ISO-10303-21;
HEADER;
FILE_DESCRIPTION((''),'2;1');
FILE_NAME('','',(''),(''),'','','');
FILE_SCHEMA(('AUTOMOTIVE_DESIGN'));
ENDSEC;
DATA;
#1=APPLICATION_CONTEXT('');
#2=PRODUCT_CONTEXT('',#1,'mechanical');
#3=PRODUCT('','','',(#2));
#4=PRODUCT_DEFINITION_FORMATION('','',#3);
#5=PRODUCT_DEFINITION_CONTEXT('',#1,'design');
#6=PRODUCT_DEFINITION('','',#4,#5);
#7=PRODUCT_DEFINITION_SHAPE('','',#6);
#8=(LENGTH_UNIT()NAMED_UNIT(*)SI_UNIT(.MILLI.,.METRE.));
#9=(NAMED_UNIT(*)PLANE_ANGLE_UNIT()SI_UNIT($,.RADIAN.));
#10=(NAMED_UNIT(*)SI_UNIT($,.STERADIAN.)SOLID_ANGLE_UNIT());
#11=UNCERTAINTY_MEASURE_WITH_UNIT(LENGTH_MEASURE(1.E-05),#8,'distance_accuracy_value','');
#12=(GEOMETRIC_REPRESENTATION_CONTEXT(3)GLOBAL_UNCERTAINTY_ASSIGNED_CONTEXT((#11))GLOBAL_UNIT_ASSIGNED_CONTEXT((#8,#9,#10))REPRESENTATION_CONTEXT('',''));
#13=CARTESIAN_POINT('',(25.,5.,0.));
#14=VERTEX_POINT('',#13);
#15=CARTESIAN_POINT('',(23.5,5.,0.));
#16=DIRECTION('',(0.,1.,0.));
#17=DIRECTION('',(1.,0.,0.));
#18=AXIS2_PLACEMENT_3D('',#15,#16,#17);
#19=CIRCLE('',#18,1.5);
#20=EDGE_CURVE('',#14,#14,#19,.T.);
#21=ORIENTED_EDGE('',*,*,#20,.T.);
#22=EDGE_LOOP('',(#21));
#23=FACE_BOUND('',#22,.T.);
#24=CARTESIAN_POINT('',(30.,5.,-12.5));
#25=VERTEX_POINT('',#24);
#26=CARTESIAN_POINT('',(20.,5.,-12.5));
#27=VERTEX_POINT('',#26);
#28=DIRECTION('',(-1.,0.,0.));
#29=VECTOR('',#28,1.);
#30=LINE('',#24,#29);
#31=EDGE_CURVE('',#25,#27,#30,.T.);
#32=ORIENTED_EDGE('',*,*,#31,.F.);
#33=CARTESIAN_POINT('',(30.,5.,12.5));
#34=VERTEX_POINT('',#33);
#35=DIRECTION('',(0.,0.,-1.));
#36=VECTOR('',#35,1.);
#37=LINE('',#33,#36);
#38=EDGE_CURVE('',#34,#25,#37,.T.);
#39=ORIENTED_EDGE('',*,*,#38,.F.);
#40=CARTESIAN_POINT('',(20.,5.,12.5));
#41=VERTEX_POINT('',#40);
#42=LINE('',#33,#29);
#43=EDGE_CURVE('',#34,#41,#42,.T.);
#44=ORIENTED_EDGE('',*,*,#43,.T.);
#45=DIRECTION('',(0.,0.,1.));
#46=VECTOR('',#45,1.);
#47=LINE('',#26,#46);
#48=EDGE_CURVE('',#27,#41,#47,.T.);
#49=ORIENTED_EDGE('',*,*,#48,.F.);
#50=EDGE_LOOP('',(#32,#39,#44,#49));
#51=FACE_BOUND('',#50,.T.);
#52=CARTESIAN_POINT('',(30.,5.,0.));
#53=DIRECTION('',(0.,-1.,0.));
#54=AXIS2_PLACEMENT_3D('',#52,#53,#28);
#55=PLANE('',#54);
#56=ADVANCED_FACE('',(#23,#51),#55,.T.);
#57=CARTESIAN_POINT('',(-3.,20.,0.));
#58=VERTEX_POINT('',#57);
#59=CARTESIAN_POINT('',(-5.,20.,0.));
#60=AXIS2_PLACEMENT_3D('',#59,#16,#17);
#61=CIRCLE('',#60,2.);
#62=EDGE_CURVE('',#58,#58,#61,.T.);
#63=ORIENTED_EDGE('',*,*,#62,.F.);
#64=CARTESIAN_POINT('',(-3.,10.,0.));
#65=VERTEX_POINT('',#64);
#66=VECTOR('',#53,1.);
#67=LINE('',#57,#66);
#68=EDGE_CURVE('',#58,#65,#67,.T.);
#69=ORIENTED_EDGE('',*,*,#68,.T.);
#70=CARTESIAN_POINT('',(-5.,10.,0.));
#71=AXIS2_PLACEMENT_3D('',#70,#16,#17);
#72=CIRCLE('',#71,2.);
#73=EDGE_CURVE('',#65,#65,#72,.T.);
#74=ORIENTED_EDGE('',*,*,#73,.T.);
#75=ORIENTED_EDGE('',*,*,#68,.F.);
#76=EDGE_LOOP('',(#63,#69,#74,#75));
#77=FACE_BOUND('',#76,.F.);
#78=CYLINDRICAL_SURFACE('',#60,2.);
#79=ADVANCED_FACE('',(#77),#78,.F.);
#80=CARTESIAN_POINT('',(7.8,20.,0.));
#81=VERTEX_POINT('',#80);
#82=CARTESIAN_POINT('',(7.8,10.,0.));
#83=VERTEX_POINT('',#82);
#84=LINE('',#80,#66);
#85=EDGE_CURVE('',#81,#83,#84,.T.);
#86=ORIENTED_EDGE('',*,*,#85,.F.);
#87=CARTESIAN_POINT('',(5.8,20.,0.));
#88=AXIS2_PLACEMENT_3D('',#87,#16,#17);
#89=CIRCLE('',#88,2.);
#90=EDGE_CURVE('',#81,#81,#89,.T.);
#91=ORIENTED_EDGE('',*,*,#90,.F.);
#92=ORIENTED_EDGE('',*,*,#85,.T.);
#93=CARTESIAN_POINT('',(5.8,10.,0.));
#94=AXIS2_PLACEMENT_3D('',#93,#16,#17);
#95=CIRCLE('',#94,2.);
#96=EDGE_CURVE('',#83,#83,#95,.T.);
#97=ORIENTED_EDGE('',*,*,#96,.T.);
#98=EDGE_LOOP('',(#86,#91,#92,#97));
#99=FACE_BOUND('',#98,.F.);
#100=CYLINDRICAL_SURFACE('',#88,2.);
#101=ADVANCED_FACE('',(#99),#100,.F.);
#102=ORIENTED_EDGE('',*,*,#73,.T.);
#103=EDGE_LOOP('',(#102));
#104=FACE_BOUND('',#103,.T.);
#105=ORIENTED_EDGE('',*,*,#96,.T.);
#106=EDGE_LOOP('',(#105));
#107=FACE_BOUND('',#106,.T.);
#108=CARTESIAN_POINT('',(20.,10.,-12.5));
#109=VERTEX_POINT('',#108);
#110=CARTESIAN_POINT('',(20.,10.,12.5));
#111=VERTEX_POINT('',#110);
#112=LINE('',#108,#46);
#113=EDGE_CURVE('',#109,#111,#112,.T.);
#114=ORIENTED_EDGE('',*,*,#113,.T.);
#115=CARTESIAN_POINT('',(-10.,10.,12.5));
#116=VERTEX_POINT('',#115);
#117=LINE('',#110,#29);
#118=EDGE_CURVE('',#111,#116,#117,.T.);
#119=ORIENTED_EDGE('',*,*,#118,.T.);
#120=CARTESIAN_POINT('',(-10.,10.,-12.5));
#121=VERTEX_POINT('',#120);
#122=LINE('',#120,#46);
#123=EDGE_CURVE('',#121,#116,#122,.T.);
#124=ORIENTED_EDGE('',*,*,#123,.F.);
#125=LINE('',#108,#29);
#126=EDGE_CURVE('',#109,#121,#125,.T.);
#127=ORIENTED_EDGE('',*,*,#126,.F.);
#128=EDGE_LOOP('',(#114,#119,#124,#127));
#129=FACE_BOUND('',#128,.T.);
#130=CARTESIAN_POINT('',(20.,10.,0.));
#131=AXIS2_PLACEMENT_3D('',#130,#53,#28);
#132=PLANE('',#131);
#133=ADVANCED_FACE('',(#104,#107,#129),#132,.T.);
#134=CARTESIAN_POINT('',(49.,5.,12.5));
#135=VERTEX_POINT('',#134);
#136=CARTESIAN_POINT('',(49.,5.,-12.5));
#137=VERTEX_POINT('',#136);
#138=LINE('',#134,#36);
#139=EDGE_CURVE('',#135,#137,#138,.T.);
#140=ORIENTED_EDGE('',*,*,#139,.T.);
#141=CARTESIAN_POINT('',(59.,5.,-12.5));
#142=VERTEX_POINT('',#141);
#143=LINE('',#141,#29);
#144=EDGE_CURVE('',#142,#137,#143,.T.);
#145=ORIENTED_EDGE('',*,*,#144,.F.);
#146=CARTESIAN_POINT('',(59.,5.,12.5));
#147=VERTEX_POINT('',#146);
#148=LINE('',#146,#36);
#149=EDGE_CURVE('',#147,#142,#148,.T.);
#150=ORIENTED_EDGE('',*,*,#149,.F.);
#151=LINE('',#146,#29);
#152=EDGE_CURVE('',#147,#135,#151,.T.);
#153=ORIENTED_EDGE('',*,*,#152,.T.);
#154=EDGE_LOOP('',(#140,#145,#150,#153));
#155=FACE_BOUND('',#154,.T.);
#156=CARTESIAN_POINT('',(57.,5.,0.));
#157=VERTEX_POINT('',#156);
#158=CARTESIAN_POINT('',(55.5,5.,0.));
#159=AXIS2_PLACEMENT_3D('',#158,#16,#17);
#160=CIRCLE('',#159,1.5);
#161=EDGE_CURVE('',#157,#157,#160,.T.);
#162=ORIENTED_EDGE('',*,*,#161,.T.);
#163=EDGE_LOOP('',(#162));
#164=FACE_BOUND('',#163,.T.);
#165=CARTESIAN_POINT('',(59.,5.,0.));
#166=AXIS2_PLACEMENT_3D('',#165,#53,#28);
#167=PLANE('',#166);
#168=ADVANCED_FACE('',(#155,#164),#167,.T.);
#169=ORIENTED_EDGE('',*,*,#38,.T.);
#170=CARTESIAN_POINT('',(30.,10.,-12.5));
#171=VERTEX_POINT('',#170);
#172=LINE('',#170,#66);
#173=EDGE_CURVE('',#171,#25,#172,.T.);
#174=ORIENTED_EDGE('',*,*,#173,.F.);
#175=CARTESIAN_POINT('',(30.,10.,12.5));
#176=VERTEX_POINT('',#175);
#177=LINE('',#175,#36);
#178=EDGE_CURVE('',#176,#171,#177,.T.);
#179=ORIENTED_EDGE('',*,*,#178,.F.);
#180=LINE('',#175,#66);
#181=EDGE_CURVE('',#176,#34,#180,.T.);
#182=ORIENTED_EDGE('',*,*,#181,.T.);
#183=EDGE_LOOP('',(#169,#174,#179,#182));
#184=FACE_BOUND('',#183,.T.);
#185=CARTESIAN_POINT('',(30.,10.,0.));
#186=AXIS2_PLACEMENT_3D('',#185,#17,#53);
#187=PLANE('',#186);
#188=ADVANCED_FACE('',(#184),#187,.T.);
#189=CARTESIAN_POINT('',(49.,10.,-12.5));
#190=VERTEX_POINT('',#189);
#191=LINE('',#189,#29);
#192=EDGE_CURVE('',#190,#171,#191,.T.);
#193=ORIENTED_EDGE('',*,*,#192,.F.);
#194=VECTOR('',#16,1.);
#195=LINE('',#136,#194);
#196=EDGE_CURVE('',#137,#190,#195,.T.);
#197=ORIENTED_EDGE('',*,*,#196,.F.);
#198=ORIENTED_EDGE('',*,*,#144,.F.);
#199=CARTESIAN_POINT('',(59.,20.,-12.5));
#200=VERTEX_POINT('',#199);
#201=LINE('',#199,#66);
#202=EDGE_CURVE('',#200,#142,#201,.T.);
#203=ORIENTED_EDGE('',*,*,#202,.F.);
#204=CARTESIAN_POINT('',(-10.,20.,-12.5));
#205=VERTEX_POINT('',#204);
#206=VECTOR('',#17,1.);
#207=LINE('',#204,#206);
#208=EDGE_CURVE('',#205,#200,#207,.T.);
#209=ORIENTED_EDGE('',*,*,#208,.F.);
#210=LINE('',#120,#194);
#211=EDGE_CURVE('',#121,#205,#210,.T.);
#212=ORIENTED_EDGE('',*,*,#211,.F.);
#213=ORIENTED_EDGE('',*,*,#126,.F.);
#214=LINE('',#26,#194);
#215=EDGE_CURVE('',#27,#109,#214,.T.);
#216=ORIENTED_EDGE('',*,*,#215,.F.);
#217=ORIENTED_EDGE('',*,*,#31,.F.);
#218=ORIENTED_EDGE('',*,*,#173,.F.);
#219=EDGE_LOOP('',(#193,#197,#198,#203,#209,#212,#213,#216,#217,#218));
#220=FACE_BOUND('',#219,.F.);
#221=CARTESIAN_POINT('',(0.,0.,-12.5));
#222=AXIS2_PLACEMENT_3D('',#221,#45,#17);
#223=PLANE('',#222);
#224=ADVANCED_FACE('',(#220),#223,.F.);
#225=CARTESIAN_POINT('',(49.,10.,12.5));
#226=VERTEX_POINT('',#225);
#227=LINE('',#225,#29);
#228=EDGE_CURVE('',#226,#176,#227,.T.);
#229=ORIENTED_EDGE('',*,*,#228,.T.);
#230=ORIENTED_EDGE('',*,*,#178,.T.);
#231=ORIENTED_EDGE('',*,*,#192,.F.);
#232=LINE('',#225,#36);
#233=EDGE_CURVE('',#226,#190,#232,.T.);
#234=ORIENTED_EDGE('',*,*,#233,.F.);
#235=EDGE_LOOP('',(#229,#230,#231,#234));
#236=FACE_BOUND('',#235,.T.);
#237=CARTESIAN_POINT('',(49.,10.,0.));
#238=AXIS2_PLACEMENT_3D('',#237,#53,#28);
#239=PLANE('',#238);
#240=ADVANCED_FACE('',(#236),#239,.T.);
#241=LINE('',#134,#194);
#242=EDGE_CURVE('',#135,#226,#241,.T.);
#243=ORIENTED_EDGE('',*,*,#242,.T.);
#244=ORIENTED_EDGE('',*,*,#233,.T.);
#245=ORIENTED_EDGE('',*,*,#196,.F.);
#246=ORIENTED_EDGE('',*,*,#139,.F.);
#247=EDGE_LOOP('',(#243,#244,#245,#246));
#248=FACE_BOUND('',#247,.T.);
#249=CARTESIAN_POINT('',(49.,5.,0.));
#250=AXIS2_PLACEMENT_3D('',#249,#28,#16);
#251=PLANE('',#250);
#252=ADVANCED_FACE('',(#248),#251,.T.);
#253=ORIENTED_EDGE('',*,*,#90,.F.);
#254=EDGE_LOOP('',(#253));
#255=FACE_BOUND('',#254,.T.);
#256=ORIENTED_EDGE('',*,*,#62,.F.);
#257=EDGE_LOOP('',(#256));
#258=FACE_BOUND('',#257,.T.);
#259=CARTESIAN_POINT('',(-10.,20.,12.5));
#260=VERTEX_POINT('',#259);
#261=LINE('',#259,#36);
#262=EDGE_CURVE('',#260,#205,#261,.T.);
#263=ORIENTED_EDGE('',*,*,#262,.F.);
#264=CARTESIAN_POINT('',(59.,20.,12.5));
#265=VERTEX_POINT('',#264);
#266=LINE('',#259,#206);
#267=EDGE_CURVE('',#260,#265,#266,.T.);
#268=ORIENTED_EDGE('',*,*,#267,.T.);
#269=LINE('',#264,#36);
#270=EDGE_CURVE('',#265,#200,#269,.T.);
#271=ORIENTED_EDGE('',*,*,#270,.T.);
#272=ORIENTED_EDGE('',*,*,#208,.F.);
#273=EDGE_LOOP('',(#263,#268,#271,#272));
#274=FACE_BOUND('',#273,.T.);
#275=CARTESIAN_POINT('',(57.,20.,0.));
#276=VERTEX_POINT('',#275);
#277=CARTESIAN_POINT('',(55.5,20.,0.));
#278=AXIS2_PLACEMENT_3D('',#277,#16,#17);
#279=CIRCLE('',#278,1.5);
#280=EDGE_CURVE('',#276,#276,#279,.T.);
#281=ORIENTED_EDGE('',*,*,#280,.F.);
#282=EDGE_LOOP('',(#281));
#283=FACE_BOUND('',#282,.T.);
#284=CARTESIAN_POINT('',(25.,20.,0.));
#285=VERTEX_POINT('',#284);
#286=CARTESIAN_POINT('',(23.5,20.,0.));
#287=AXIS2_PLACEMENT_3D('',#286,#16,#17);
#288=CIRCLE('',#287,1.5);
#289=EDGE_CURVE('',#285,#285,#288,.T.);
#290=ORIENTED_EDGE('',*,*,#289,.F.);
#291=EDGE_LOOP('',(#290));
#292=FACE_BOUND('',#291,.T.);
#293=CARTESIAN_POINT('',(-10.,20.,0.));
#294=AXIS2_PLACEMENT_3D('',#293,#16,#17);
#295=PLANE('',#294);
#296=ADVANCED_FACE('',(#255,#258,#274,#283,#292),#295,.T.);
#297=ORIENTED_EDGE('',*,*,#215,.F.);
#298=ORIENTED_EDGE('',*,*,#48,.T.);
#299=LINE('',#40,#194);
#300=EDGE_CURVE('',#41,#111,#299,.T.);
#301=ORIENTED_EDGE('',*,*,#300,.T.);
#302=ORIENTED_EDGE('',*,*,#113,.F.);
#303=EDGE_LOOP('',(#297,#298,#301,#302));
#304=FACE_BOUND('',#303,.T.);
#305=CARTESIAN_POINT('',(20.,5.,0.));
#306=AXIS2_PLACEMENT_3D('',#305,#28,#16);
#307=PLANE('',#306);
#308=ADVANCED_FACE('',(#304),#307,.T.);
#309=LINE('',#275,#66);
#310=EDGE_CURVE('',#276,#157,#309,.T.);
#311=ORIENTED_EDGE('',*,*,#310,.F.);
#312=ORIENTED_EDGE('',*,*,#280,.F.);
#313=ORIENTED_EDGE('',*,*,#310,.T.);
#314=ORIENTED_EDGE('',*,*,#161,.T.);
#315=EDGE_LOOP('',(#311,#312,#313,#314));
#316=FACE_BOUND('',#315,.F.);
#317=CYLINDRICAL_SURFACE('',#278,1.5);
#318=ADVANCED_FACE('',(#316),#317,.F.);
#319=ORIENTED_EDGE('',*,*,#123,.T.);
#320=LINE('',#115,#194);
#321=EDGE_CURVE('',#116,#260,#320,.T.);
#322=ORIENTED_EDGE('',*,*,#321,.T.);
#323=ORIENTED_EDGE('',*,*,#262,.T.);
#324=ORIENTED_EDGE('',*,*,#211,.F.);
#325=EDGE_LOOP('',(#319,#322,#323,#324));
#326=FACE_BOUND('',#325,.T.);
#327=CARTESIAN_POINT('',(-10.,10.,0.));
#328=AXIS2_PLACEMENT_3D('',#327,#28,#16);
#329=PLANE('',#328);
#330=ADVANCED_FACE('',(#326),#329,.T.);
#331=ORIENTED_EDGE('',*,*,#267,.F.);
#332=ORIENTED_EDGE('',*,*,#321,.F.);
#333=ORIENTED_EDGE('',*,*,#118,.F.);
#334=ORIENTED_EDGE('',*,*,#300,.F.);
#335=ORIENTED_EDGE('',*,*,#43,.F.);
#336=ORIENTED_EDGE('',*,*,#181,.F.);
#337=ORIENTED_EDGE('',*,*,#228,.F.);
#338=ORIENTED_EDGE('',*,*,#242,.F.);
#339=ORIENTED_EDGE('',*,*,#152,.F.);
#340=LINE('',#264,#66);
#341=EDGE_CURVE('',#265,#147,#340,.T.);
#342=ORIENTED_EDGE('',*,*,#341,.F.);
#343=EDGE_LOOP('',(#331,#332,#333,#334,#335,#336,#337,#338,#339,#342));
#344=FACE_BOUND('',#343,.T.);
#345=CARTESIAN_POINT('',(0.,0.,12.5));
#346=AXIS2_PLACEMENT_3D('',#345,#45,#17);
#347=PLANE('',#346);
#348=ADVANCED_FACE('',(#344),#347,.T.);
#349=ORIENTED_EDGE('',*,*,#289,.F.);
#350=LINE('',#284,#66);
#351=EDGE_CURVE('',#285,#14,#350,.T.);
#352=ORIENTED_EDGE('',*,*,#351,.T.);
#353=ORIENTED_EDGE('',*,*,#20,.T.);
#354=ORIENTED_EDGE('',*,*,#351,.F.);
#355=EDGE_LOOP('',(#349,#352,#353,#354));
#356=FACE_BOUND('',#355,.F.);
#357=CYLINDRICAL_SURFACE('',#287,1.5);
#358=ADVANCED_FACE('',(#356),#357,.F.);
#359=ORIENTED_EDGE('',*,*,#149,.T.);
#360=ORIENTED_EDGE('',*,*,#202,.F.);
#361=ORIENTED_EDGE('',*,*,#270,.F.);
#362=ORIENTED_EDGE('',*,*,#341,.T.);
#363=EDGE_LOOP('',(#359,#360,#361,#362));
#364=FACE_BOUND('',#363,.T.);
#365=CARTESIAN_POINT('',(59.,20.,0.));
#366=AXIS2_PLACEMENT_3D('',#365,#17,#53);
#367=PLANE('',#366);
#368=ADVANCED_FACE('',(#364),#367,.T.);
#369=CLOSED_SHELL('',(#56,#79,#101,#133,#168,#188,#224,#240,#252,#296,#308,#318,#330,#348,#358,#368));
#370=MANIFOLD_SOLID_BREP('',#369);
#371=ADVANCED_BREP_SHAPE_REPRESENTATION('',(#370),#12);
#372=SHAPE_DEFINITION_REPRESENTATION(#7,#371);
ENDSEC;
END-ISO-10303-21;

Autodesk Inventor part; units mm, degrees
ref_plane "YZ Plane" through (0, 0, 0) normal (1, 0, 0) x (0, 1, 0)
ref_plane "XZ Plane" through (0, 0, 0) normal (0, 1, 0) x (-1, 0, 0)
ref_plane "XY Plane" through (0, 0, 0) normal (0, 0, 1) x (1, 0, 0)
sketch "Sketch1" plane through (0, 0, 0) normal (0, 0, 1) x (1, 0, 0)
  line L0 (-10, 10) -> (-10, 20)
  line L1 (-10, 20) -> (59, 20)
  line L2 (59, 20) -> (59, 5)
  line L3 (59, 5) -> (49, 5)
  line L4 (49, 5) -> (49, 10)
  line L5 (49, 10) -> (30, 10)
  line L6 (30, 10) -> (30, 5)
  line L7 (30, 5) -> (20, 5)
  line L8 (20, 5) -> (20, 10)
  line L9 (20, 10) -> (-10, 10)
  point P0 (0, 0)
  dimension "d0" = 19
  dimension "d1" = 10
  dimension "d2" = 10
  dimension "d3" = 30
  dimension "d4" = 10
  dimension "d5" = 5
  dimension "d6" = 59
  dimension "d7" = 10
extrude "Extrusion1" add sketch "Sketch1" along normal mid plane 25
sketch "Sketch2" plane through (-10, 20, 12.5) normal (0, 1, 0) x (1, 0, 0)
  circle A0 centre (5, 12.5) radius 2
  circle A1 centre (15.8, 12.5) radius 2
  line L0 (30, 25) -> (30, 0) projected
  line L1 (0, 25) -> (69, 25) projected
  line L2 (0, 0) -> (0, 25) projected
  circle A2 centre (65.5, 12.5) radius 1.5
  line L3 (69, 25) -> (69, 0) projected
  circle A3 centre (33.5, 12.5) radius 1.5
  point P0 (10, 12.5)
  dimension "d10" = 4
  dimension "d11" = 4
  dimension "d15" = 12.5
  dimension "d16" = 12.5
  dimension "d19" = 5
  dimension "d20" = 10.8
  dimension "d22" = 3
  dimension "d24" = 3.5
  dimension "d26" = 12.5
  dimension "d28" = 12.5
  dimension "d29" = 3
  dimension "d30" = 3.5
extrude "Extrusion2" cut sketch "Sketch2" against normal blind 15
properties part number "Load Cell holder" material "ABS Plastic"
